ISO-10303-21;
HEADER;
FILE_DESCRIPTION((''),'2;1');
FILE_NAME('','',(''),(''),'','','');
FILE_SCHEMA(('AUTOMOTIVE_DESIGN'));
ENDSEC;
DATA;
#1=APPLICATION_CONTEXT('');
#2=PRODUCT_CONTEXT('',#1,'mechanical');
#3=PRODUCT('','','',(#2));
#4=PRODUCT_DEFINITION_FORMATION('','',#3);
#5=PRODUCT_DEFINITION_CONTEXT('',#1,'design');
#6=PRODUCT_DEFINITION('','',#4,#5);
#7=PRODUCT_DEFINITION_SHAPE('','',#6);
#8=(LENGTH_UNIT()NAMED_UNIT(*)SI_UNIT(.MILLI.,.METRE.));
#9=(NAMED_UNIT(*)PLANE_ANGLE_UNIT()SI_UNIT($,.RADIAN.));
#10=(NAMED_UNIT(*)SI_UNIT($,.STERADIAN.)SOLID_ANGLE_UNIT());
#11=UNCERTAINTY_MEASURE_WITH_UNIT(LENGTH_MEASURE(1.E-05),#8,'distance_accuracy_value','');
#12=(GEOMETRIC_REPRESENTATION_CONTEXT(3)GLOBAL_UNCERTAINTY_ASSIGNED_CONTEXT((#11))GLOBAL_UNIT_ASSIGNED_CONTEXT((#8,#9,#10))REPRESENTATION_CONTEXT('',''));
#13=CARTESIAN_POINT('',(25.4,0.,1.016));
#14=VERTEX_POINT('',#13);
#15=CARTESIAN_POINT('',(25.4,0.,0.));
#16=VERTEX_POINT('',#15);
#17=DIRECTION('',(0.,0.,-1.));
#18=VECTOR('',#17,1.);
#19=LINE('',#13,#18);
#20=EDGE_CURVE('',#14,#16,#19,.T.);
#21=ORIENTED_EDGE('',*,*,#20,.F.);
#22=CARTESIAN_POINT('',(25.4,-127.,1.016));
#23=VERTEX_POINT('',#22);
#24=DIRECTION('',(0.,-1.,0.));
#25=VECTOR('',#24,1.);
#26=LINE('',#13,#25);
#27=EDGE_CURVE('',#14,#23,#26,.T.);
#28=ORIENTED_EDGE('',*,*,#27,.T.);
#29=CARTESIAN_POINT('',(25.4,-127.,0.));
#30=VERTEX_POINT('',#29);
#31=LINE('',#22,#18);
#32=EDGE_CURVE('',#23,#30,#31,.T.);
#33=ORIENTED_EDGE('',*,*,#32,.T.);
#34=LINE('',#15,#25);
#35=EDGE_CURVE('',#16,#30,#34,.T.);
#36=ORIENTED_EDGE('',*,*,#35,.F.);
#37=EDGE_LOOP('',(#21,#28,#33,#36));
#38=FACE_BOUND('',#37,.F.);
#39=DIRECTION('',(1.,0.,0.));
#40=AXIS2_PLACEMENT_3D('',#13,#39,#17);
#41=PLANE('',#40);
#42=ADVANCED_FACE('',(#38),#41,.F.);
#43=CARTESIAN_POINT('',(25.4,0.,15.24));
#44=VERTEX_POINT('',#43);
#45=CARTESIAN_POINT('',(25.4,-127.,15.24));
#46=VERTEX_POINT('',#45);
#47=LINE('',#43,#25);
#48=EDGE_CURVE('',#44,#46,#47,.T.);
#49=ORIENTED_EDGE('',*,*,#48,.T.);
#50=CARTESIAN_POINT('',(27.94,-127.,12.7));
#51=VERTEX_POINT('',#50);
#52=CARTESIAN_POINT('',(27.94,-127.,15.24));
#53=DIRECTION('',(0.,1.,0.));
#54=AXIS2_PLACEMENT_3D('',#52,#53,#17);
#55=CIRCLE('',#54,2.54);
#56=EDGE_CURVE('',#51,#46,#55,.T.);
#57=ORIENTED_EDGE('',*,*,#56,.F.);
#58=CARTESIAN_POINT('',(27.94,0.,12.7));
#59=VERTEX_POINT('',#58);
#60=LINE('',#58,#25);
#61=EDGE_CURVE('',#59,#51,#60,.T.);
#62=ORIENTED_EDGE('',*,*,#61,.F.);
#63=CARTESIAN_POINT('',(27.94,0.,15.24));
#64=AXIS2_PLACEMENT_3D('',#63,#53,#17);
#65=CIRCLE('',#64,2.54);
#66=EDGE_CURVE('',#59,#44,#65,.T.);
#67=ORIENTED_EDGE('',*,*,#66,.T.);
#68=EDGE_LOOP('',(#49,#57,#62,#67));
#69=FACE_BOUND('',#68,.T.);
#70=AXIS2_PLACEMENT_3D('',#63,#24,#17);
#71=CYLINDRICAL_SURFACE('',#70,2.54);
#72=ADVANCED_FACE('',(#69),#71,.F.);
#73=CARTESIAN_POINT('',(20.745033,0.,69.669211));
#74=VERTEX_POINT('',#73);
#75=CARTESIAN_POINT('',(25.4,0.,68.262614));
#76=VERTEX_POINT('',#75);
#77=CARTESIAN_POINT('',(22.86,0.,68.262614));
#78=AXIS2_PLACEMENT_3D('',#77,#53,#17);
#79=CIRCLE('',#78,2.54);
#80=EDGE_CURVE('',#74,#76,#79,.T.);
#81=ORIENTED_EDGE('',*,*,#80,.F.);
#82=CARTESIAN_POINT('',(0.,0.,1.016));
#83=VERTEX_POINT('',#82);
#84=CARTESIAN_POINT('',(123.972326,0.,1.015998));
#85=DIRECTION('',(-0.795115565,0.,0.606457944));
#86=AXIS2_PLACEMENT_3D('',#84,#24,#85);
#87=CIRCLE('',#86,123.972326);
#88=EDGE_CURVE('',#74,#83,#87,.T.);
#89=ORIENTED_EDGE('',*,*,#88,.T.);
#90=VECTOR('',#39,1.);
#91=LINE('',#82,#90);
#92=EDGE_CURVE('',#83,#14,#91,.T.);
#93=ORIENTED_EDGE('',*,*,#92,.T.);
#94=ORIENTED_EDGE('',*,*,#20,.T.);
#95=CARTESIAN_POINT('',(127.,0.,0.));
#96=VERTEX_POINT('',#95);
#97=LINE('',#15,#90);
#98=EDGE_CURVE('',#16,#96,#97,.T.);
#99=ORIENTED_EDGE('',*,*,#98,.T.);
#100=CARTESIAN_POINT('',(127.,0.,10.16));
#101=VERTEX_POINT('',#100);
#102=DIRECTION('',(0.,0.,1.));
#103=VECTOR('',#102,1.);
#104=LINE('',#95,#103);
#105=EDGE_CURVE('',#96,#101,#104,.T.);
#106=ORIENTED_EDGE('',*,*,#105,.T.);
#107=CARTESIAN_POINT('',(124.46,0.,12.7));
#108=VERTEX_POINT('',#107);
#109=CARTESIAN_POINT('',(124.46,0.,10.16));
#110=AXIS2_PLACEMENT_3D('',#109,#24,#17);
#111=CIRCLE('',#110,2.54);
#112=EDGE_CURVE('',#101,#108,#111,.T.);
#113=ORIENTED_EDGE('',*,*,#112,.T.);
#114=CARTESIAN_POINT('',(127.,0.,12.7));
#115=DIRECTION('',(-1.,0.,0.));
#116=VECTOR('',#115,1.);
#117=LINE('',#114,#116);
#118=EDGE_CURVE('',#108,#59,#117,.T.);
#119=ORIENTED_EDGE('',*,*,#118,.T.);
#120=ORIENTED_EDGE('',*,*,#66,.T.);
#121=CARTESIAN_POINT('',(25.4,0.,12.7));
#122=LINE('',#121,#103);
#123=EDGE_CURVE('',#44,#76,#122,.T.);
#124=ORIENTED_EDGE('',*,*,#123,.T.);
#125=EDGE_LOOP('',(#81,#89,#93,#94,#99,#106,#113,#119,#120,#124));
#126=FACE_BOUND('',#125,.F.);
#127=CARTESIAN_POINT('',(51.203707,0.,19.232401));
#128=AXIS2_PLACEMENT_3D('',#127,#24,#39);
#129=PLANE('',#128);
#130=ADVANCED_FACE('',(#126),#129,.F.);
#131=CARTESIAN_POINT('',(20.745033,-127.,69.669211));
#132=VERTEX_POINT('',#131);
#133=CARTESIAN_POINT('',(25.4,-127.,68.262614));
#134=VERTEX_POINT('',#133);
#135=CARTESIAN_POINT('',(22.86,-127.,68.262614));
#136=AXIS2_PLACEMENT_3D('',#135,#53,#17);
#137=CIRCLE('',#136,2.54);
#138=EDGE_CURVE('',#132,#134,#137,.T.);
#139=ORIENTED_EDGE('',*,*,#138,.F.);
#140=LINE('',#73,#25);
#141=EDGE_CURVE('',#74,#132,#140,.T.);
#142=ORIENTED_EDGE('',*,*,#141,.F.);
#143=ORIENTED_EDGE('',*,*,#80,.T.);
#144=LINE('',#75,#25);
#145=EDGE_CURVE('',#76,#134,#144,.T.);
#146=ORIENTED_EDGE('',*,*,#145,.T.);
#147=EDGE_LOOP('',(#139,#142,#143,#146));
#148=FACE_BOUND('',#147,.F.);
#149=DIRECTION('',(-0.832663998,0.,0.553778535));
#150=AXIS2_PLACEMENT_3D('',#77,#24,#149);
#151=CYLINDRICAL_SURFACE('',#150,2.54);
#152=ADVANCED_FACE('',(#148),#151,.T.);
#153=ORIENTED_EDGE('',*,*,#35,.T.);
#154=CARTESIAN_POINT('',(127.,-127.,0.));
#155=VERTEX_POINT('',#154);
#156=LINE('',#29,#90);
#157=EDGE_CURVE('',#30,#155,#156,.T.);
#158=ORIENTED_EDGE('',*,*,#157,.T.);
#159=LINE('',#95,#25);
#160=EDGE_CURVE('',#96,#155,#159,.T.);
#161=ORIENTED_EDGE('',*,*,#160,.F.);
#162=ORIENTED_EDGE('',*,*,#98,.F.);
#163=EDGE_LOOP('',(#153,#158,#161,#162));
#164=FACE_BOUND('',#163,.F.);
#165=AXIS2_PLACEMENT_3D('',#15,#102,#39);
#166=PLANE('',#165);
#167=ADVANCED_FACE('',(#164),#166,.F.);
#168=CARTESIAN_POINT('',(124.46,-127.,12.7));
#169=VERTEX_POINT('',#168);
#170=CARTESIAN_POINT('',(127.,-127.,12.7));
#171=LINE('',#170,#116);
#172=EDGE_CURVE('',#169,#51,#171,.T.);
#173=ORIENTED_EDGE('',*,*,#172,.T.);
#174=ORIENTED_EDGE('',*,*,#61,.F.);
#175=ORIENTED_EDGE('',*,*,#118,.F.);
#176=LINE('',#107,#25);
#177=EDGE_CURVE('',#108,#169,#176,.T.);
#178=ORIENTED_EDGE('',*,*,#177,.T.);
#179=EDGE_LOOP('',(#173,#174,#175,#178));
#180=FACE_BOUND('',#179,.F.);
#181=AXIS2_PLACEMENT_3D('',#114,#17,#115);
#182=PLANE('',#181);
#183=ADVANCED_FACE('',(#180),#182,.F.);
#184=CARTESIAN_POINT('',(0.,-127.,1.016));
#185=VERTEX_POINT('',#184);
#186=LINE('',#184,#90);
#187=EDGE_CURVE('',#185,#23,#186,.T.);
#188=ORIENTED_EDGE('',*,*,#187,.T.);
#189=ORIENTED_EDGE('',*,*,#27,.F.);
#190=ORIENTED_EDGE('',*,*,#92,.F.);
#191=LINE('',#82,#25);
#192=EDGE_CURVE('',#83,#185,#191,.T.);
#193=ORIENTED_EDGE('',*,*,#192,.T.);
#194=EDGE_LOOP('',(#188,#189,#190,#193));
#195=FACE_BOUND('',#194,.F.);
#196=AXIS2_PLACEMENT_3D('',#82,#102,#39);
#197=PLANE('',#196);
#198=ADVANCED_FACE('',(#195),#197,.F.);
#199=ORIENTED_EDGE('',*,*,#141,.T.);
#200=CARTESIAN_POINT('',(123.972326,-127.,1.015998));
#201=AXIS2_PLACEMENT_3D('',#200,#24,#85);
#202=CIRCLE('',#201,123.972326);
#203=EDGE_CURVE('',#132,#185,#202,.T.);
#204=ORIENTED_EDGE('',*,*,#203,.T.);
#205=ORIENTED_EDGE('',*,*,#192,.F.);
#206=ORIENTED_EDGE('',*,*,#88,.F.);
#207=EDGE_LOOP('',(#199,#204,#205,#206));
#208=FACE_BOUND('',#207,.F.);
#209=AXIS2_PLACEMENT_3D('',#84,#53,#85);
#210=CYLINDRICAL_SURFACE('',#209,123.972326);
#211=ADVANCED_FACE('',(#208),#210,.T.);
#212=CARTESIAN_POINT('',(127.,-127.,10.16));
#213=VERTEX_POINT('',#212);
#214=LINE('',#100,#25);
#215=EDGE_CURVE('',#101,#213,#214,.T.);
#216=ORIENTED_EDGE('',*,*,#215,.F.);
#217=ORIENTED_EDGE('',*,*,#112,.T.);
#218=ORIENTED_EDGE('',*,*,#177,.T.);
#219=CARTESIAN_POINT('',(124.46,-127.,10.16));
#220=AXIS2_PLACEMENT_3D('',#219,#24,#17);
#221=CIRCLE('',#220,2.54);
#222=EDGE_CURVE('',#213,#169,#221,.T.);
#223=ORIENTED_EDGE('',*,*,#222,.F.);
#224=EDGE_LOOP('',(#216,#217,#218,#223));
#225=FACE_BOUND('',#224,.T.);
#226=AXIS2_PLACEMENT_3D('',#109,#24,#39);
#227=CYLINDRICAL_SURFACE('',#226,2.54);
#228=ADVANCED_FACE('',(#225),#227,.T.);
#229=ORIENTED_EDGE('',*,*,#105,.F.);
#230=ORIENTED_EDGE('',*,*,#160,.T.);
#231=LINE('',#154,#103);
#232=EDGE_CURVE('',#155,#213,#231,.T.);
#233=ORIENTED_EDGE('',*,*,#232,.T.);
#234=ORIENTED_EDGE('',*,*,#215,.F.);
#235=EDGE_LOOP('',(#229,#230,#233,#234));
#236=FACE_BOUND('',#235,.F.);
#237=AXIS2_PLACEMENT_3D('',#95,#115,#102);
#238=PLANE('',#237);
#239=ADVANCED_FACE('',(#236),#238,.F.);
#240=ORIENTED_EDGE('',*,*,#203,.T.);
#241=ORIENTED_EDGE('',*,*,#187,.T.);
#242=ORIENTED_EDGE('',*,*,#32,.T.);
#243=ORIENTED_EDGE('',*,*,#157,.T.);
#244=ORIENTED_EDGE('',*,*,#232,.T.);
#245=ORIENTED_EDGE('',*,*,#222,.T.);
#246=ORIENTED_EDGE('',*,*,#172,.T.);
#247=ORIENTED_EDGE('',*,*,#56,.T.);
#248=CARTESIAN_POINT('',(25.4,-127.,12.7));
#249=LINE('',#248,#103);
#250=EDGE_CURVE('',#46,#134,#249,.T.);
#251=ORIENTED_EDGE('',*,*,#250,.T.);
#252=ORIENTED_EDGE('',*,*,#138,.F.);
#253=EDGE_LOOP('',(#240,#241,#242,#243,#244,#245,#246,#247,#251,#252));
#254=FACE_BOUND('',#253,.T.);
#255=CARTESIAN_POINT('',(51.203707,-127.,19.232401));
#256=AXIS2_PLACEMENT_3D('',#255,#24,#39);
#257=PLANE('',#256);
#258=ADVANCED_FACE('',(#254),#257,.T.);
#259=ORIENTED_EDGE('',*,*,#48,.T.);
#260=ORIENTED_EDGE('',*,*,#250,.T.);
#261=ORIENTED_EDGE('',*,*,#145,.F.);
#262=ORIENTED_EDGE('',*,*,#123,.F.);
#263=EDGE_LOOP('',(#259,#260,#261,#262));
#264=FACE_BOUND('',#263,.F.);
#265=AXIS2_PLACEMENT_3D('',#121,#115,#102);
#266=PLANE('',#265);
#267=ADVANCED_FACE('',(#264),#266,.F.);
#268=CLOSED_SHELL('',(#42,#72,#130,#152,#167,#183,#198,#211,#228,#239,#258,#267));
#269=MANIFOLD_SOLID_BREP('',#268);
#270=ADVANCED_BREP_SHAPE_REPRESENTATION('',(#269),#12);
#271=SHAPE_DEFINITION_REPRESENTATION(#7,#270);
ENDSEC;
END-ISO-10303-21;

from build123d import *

# Parameters (mm, degrees)
F1_DEPTH = 127
F2_R     = 2.54


with BuildPart() as f1:
    # F0 (on Front) → F1 (new body)
    with BuildSketch(Plane.XZ):
        with BuildLine():
            ThreePointArc((25.4, 76.2), (6.521532, 40.69532), (0, 1.016))
            Line((0, 1.016), (25.4, 1.016))
            Line((25.4, 1.016), (25.4, 0))
            Line((25.4, 0), (127, 0))
            Line((127, 0), (127, 12.7))
            Line((127, 12.7), (25.4, 12.7))
            Line((25.4, 12.7), (25.4, 76.2))
        make_face()
    extrude(amount=F1_DEPTH)

    # F2
    f2_edges = [f1.edges().sort_by_distance(p)[0] for p in [
        (25.4, -63.5, 76.2),
        (25.4, -63.5, 12.7),
        (127, -63.5, 12.7),
    ]]
    fillet(f2_edges, radius=F2_R)


solid = f1.part
